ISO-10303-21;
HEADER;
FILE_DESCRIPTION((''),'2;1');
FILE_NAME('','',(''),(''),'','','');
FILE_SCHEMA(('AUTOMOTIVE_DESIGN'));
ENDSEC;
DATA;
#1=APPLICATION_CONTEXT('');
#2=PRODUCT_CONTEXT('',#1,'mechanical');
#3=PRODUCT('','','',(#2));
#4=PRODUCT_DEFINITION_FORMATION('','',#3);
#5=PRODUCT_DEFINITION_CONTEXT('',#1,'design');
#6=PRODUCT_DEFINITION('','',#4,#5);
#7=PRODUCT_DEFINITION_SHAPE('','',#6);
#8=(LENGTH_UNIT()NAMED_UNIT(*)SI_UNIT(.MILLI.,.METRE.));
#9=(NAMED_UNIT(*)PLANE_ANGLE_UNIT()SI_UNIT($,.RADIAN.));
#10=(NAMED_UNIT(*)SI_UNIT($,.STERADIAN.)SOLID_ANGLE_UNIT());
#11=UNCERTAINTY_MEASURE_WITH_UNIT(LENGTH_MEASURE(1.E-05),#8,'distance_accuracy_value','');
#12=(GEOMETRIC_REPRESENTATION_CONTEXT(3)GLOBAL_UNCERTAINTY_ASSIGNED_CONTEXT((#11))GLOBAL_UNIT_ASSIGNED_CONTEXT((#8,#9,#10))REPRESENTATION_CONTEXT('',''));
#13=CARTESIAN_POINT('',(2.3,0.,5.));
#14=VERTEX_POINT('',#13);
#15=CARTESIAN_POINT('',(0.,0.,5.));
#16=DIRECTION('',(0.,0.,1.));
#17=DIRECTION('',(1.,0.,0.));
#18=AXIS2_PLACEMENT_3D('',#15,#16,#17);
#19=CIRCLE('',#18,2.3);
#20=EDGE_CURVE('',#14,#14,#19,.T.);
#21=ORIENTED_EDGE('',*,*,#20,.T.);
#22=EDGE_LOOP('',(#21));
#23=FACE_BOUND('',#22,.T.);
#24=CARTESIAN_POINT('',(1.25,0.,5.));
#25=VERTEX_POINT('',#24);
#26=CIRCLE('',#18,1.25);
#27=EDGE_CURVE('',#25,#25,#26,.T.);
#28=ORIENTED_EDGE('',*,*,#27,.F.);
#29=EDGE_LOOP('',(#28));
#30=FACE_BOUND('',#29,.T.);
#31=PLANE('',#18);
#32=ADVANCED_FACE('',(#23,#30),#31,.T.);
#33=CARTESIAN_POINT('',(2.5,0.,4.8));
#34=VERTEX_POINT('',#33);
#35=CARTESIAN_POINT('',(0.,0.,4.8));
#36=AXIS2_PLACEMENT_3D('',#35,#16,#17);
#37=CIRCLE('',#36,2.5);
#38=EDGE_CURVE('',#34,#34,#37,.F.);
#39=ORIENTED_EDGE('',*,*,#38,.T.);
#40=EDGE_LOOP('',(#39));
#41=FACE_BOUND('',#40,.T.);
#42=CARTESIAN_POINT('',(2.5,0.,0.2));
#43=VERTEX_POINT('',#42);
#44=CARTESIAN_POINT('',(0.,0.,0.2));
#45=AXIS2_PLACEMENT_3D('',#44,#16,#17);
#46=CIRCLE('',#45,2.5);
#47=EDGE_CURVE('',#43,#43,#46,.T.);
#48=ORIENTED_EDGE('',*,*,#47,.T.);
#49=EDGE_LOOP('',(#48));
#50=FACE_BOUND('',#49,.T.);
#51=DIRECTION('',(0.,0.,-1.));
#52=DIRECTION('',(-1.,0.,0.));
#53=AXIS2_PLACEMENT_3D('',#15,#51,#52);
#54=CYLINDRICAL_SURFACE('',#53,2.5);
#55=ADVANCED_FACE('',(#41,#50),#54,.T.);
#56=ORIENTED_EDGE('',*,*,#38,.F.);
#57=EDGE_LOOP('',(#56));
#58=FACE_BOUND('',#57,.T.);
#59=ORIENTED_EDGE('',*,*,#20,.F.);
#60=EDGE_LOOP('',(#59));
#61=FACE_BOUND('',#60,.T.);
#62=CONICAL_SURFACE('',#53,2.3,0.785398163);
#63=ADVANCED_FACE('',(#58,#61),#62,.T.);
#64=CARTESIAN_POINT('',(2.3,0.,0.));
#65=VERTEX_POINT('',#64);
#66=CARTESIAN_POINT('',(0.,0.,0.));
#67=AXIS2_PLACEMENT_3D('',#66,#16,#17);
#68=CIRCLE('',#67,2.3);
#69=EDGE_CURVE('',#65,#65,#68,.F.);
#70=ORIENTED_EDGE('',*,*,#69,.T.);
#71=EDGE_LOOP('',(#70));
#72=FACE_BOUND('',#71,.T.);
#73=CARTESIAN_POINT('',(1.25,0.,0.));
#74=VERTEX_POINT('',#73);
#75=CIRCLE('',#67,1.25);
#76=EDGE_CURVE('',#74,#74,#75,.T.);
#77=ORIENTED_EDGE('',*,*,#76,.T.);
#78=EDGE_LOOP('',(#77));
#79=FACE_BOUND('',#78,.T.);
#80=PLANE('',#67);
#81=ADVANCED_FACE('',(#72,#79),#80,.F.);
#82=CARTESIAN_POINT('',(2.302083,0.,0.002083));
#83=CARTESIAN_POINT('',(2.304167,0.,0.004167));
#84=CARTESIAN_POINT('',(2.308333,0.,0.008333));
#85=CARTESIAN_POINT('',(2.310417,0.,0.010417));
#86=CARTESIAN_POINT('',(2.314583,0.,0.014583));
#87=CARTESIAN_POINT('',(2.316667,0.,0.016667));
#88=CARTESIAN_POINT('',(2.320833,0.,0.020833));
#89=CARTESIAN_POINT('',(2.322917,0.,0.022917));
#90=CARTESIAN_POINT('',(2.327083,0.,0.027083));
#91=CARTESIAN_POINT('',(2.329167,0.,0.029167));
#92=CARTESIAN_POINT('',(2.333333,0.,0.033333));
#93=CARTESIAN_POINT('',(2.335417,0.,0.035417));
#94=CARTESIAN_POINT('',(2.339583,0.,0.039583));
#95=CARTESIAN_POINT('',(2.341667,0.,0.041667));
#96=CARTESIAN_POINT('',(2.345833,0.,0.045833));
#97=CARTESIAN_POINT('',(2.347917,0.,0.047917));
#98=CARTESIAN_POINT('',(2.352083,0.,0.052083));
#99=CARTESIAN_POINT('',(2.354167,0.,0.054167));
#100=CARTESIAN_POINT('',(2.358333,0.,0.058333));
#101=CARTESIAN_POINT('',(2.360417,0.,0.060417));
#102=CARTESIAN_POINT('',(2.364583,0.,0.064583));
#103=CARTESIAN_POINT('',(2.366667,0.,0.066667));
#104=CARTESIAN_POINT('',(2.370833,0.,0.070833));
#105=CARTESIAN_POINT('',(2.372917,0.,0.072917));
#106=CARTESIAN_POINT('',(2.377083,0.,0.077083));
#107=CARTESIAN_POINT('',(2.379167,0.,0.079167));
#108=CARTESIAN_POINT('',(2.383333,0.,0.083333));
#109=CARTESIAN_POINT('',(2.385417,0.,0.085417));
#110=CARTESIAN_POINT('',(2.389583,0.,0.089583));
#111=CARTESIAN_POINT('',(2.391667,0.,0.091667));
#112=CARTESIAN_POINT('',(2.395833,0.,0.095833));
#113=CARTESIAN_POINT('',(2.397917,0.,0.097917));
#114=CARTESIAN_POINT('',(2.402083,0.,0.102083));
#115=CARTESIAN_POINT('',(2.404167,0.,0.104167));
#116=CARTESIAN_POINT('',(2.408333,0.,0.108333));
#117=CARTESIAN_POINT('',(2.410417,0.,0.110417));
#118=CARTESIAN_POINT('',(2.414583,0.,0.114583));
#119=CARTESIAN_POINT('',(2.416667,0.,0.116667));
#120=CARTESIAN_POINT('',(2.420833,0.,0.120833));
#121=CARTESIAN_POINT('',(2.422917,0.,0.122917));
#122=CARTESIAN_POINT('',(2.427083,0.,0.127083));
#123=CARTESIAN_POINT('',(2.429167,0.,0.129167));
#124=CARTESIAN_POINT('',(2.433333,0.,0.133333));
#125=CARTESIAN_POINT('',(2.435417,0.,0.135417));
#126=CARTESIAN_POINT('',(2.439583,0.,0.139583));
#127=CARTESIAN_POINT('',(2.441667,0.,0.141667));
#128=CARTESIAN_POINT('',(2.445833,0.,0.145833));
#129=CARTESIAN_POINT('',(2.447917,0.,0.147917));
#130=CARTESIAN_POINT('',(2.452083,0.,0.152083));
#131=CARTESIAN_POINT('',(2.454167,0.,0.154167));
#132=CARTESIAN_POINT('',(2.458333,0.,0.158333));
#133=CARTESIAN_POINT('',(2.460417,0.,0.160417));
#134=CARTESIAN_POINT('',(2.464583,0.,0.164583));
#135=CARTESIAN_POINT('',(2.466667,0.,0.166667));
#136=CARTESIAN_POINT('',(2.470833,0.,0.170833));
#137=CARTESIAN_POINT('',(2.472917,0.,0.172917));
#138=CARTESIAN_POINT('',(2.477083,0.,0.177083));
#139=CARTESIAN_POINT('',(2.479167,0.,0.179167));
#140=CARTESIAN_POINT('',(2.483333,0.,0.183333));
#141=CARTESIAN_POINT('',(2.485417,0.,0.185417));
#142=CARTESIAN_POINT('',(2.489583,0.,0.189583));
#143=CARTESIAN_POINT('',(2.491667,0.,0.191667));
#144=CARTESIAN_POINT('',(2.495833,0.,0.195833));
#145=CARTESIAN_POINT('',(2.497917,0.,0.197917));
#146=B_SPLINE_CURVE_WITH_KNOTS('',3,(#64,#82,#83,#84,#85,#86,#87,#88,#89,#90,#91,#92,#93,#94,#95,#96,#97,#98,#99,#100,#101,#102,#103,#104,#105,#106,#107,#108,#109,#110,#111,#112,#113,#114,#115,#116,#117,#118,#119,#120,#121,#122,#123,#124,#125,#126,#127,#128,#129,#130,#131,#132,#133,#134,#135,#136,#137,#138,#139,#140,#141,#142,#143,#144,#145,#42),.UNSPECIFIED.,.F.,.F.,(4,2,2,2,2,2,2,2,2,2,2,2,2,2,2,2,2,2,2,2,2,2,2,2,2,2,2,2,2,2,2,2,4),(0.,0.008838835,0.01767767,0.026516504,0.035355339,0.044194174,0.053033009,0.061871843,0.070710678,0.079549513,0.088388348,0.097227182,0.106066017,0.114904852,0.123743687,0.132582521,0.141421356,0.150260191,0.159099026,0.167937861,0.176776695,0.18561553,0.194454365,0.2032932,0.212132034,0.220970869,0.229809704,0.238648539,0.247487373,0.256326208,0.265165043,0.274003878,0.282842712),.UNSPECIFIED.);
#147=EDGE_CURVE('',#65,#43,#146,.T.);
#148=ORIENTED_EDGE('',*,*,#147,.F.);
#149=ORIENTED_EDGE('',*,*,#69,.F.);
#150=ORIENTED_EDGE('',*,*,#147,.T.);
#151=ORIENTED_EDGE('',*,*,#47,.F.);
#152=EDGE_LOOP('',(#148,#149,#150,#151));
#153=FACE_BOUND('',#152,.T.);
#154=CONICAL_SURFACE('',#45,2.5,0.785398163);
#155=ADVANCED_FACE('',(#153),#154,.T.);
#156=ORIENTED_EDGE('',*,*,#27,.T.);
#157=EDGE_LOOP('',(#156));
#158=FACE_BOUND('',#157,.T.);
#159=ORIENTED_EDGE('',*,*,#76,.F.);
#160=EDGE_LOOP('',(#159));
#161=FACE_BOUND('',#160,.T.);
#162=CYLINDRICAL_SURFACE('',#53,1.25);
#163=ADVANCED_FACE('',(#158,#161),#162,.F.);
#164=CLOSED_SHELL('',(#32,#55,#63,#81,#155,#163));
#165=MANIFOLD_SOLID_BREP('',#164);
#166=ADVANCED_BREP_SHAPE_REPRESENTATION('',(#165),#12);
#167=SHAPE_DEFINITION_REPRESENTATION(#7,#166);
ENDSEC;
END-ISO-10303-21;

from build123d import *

# Parameters (mm, degrees)
SKETCH_1_R      = 2.5
SKETCH_1_R_2    = 1.25
EXTRUDE_1_DEPTH = 5
CHAMFER_1_SIZE  = 0.2


with BuildPart() as part:
    # 草图1 → 凸台-拉伸1 (new body)
    with BuildSketch(Plane.XY):
        Circle(SKETCH_1_R)
        Circle(SKETCH_1_R_2, mode=Mode.SUBTRACT)
    extrude(amount=EXTRUDE_1_DEPTH)

    # 倒角1
    chamfer_1_edges = [part.edges().sort_by_distance(p)[0] for p in [
        (-2.5, 0, 0),
        (-2.5, 0, 5),
    ]]
    chamfer(chamfer_1_edges, length=CHAMFER_1_SIZE)


solid = part.part
